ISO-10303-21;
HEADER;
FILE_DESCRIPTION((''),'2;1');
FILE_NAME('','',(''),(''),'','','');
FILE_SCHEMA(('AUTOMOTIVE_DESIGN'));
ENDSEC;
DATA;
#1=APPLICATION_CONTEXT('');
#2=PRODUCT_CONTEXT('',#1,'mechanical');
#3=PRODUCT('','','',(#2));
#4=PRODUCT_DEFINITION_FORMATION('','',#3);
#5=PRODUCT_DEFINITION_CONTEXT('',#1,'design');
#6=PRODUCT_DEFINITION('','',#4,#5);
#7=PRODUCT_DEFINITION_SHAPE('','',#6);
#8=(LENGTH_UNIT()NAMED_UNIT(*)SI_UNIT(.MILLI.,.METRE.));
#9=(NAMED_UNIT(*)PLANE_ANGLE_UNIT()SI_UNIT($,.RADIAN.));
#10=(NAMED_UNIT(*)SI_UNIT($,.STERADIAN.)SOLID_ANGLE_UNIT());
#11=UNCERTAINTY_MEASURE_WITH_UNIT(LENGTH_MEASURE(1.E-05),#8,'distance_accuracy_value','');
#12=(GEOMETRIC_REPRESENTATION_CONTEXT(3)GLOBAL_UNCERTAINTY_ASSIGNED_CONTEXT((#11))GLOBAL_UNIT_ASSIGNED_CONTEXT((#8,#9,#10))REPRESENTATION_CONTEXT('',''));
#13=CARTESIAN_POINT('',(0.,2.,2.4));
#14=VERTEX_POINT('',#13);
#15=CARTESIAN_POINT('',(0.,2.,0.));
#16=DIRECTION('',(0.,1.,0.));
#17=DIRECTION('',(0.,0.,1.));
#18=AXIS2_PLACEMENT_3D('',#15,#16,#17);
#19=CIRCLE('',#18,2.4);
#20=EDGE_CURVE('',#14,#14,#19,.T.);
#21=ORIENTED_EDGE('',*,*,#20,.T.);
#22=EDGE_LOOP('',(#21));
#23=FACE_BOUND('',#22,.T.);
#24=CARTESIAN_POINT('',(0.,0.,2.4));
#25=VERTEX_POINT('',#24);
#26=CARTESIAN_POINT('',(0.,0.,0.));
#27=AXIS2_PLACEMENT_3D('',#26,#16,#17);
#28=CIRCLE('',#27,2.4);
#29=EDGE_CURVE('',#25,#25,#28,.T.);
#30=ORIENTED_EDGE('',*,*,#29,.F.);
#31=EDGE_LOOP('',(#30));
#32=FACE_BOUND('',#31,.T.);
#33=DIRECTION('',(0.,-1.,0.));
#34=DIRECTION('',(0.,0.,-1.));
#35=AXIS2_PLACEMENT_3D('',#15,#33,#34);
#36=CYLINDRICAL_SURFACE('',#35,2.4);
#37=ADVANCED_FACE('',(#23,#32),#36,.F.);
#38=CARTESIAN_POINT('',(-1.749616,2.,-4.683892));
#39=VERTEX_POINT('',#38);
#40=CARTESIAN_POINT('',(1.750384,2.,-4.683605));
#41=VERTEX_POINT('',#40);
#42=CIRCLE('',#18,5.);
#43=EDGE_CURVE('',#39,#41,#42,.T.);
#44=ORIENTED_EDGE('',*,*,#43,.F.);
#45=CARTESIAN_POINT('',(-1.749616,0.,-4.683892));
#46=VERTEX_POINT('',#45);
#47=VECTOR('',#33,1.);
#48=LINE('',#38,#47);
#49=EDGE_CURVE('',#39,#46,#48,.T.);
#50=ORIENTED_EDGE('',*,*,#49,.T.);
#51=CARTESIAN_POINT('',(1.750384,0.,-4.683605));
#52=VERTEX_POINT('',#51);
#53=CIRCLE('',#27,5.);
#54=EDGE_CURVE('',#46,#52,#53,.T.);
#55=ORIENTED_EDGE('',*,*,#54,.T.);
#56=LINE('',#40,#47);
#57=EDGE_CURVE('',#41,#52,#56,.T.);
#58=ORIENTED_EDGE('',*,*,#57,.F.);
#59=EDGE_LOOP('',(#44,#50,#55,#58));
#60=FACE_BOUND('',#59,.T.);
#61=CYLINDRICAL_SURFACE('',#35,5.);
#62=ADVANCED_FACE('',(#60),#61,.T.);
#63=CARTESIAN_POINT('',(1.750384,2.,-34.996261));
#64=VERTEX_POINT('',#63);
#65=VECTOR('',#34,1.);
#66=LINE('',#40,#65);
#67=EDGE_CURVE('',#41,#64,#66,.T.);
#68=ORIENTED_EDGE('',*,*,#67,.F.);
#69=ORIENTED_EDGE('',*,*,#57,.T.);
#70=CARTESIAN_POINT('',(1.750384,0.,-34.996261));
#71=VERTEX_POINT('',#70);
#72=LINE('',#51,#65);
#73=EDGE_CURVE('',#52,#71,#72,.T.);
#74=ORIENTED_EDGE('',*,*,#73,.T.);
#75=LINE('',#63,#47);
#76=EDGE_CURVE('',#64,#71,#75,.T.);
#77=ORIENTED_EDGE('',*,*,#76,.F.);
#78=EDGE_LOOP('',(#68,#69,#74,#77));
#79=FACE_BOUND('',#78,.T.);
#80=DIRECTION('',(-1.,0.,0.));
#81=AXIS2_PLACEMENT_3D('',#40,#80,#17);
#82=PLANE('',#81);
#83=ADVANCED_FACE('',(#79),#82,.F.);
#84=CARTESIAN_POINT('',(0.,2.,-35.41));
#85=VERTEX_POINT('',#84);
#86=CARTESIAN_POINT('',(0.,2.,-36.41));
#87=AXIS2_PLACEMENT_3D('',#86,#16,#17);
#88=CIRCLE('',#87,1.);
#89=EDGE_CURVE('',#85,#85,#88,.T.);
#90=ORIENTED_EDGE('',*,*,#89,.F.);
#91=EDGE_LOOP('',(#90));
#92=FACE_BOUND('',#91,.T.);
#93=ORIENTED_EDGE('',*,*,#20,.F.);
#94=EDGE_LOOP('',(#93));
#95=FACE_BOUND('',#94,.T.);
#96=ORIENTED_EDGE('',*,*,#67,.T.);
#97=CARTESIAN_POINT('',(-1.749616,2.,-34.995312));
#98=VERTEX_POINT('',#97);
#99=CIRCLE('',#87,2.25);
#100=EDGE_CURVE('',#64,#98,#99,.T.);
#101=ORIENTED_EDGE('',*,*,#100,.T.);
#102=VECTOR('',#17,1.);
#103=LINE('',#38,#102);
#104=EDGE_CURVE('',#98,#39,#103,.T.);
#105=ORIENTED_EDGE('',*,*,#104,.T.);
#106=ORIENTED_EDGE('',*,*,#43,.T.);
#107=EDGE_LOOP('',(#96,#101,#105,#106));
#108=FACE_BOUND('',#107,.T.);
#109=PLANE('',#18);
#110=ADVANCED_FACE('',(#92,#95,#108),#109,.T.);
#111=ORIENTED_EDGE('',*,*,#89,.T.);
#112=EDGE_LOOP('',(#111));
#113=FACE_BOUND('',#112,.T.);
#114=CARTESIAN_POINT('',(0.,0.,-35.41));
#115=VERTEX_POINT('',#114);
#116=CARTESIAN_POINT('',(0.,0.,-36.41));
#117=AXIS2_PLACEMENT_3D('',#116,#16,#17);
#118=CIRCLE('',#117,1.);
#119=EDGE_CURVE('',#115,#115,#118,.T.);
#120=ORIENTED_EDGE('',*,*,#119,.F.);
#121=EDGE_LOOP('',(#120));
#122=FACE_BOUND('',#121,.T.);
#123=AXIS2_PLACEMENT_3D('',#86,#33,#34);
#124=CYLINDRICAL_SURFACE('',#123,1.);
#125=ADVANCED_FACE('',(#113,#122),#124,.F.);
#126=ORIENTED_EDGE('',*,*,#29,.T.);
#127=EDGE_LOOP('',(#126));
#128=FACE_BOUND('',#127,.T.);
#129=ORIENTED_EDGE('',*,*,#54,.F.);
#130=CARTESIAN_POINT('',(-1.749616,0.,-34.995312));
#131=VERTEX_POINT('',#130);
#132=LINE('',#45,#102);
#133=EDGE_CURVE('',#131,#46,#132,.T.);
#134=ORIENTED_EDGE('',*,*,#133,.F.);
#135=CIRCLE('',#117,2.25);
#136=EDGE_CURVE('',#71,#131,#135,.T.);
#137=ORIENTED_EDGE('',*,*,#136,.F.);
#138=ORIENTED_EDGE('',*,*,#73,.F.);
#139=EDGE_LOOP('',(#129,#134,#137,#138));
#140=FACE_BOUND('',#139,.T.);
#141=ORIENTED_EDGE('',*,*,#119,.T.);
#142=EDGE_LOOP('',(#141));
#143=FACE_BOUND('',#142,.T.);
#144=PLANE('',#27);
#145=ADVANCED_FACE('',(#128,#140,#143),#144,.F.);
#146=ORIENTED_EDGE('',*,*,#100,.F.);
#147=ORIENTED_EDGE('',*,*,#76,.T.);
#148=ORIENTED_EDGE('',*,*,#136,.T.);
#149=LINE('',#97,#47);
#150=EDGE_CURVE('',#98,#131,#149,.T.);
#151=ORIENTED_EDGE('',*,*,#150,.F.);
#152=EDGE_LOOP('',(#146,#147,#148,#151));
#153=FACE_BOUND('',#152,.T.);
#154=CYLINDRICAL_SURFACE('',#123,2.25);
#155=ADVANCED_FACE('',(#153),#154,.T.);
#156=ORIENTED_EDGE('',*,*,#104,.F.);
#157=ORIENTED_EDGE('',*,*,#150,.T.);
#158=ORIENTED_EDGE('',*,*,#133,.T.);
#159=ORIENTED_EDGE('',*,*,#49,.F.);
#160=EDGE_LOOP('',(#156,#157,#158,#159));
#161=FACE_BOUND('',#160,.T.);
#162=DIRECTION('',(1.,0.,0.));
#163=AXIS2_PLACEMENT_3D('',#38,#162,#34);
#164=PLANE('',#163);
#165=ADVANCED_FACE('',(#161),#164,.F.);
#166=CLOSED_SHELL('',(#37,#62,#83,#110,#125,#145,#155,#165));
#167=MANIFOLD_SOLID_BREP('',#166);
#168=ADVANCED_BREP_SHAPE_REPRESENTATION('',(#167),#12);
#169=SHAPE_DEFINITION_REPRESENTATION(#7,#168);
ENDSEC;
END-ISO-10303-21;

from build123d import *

# Parameters (mm, degrees)
SKETCH1_R           = 2.4
SKETCH1_R_2         = 1
BOSS_EXTRUDE1_DEPTH = 2


with BuildPart() as part:
    # Sketch1 → Boss-Extrude1 (new body)
    with BuildSketch(Plane(origin=(0, 0, 0), x_dir=(1, 0, 0), z_dir=(0, 1, 0))):
        with BuildLine():
            Line((-1.749616263, 4.683891858), (-1.749616263, 34.995311719))
            ThreePointArc((-1.749616263, 34.995311719), (-0.000610522, 38.659999917), (1.750383737, 34.99626142))
            Line((1.750383737, 34.99626142), (1.750383737, 4.683605104))
            ThreePointArc((1.750383737, 4.683605104), (-0.000409648, -4.999999983), (-1.749616263, 4.683891858))
        make_face()
        with Locations(Location((0, 0, 0), (0, 0, 270))):
            Circle(SKETCH1_R, mode=Mode.SUBTRACT)
        with Locations(Location((0, 36.41, 0), (0, 0, 270))):
            Circle(SKETCH1_R_2, mode=Mode.SUBTRACT)
    extrude(amount=BOSS_EXTRUDE1_DEPTH)


solid = part.part
